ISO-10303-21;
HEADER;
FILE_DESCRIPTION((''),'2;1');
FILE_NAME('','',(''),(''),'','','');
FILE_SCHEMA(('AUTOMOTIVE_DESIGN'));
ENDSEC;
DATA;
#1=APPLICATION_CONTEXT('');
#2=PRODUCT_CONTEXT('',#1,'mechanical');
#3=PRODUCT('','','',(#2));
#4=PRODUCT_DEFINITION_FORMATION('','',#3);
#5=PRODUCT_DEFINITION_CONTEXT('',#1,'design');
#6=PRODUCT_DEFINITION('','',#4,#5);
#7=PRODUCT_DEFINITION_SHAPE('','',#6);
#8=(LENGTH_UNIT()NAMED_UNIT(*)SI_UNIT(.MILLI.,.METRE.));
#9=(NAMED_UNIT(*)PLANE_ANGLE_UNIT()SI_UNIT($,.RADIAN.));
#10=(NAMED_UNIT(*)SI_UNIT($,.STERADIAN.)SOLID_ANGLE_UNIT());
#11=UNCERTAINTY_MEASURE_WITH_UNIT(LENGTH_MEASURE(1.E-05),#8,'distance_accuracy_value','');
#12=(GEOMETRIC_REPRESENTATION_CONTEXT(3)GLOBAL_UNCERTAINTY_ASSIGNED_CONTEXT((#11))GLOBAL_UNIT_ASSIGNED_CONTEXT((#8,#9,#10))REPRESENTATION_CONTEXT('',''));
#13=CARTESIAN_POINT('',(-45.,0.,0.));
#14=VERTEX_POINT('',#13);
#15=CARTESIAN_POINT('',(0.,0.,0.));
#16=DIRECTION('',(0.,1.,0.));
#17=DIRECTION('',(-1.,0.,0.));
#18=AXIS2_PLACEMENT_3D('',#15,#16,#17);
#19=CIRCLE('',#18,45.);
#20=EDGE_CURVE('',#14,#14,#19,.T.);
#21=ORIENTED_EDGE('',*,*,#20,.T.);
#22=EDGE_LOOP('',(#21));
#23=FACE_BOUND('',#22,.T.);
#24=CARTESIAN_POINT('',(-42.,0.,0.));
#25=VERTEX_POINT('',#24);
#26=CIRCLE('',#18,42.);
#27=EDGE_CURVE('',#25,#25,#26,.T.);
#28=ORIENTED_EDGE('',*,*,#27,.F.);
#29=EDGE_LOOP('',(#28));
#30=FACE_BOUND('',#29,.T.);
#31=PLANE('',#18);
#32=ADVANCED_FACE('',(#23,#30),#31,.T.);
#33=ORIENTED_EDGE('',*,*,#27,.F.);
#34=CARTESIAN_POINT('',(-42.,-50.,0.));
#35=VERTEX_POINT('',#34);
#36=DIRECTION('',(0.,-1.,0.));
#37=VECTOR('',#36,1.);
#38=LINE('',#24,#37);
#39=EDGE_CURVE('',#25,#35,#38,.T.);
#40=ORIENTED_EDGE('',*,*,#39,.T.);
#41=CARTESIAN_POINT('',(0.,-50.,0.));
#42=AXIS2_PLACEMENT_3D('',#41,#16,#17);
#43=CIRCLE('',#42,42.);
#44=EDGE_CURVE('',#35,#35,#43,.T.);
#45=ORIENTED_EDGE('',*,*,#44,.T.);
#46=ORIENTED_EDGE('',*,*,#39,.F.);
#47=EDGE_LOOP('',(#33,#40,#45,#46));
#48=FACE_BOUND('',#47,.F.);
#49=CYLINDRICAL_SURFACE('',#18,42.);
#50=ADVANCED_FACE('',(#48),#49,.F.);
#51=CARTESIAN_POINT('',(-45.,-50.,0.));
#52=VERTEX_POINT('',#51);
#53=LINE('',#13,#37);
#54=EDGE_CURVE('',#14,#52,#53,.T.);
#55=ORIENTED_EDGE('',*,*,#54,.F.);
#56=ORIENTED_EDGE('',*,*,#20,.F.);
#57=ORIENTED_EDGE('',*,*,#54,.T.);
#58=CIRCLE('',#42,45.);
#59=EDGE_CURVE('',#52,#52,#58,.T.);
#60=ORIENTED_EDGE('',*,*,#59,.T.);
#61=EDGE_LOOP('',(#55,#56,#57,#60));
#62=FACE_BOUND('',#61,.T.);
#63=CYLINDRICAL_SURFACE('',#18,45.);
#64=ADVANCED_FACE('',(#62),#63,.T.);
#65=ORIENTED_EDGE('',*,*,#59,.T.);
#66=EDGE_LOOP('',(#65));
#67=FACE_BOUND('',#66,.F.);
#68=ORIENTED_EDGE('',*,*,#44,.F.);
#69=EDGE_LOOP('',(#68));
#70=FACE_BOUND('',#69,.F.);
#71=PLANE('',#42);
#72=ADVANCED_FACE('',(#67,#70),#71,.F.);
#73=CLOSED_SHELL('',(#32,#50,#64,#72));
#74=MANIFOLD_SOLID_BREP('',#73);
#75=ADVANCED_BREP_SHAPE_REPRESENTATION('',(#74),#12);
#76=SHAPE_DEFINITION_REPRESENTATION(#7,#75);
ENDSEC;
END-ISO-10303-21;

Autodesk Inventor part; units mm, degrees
ref_plane "YZ Plane" through (0, 0, 0) normal (1, 0, 0) x (0, 1, 0)
ref_plane "XZ Plane" through (0, 0, 0) normal (0, 1, 0) x (-1, 0, 0)
ref_plane "XY Plane" through (0, 0, 0) normal (0, 0, 1) x (1, 0, 0)
sketch "Sketch1" plane through (0, 0, 0) normal (0, 1, 0) x (-1, 0, 0)
  circle A0 centre (0, 0) radius 45
  circle A1 centre (0, 0) radius 42
  dimension "d0" = 90
  dimension "d1" = 3
extrude "Extrusion1" add sketch "Sketch1" against normal blind 50
properties part number "PNS 1711 hatch tube 500mm" material "Steel"
